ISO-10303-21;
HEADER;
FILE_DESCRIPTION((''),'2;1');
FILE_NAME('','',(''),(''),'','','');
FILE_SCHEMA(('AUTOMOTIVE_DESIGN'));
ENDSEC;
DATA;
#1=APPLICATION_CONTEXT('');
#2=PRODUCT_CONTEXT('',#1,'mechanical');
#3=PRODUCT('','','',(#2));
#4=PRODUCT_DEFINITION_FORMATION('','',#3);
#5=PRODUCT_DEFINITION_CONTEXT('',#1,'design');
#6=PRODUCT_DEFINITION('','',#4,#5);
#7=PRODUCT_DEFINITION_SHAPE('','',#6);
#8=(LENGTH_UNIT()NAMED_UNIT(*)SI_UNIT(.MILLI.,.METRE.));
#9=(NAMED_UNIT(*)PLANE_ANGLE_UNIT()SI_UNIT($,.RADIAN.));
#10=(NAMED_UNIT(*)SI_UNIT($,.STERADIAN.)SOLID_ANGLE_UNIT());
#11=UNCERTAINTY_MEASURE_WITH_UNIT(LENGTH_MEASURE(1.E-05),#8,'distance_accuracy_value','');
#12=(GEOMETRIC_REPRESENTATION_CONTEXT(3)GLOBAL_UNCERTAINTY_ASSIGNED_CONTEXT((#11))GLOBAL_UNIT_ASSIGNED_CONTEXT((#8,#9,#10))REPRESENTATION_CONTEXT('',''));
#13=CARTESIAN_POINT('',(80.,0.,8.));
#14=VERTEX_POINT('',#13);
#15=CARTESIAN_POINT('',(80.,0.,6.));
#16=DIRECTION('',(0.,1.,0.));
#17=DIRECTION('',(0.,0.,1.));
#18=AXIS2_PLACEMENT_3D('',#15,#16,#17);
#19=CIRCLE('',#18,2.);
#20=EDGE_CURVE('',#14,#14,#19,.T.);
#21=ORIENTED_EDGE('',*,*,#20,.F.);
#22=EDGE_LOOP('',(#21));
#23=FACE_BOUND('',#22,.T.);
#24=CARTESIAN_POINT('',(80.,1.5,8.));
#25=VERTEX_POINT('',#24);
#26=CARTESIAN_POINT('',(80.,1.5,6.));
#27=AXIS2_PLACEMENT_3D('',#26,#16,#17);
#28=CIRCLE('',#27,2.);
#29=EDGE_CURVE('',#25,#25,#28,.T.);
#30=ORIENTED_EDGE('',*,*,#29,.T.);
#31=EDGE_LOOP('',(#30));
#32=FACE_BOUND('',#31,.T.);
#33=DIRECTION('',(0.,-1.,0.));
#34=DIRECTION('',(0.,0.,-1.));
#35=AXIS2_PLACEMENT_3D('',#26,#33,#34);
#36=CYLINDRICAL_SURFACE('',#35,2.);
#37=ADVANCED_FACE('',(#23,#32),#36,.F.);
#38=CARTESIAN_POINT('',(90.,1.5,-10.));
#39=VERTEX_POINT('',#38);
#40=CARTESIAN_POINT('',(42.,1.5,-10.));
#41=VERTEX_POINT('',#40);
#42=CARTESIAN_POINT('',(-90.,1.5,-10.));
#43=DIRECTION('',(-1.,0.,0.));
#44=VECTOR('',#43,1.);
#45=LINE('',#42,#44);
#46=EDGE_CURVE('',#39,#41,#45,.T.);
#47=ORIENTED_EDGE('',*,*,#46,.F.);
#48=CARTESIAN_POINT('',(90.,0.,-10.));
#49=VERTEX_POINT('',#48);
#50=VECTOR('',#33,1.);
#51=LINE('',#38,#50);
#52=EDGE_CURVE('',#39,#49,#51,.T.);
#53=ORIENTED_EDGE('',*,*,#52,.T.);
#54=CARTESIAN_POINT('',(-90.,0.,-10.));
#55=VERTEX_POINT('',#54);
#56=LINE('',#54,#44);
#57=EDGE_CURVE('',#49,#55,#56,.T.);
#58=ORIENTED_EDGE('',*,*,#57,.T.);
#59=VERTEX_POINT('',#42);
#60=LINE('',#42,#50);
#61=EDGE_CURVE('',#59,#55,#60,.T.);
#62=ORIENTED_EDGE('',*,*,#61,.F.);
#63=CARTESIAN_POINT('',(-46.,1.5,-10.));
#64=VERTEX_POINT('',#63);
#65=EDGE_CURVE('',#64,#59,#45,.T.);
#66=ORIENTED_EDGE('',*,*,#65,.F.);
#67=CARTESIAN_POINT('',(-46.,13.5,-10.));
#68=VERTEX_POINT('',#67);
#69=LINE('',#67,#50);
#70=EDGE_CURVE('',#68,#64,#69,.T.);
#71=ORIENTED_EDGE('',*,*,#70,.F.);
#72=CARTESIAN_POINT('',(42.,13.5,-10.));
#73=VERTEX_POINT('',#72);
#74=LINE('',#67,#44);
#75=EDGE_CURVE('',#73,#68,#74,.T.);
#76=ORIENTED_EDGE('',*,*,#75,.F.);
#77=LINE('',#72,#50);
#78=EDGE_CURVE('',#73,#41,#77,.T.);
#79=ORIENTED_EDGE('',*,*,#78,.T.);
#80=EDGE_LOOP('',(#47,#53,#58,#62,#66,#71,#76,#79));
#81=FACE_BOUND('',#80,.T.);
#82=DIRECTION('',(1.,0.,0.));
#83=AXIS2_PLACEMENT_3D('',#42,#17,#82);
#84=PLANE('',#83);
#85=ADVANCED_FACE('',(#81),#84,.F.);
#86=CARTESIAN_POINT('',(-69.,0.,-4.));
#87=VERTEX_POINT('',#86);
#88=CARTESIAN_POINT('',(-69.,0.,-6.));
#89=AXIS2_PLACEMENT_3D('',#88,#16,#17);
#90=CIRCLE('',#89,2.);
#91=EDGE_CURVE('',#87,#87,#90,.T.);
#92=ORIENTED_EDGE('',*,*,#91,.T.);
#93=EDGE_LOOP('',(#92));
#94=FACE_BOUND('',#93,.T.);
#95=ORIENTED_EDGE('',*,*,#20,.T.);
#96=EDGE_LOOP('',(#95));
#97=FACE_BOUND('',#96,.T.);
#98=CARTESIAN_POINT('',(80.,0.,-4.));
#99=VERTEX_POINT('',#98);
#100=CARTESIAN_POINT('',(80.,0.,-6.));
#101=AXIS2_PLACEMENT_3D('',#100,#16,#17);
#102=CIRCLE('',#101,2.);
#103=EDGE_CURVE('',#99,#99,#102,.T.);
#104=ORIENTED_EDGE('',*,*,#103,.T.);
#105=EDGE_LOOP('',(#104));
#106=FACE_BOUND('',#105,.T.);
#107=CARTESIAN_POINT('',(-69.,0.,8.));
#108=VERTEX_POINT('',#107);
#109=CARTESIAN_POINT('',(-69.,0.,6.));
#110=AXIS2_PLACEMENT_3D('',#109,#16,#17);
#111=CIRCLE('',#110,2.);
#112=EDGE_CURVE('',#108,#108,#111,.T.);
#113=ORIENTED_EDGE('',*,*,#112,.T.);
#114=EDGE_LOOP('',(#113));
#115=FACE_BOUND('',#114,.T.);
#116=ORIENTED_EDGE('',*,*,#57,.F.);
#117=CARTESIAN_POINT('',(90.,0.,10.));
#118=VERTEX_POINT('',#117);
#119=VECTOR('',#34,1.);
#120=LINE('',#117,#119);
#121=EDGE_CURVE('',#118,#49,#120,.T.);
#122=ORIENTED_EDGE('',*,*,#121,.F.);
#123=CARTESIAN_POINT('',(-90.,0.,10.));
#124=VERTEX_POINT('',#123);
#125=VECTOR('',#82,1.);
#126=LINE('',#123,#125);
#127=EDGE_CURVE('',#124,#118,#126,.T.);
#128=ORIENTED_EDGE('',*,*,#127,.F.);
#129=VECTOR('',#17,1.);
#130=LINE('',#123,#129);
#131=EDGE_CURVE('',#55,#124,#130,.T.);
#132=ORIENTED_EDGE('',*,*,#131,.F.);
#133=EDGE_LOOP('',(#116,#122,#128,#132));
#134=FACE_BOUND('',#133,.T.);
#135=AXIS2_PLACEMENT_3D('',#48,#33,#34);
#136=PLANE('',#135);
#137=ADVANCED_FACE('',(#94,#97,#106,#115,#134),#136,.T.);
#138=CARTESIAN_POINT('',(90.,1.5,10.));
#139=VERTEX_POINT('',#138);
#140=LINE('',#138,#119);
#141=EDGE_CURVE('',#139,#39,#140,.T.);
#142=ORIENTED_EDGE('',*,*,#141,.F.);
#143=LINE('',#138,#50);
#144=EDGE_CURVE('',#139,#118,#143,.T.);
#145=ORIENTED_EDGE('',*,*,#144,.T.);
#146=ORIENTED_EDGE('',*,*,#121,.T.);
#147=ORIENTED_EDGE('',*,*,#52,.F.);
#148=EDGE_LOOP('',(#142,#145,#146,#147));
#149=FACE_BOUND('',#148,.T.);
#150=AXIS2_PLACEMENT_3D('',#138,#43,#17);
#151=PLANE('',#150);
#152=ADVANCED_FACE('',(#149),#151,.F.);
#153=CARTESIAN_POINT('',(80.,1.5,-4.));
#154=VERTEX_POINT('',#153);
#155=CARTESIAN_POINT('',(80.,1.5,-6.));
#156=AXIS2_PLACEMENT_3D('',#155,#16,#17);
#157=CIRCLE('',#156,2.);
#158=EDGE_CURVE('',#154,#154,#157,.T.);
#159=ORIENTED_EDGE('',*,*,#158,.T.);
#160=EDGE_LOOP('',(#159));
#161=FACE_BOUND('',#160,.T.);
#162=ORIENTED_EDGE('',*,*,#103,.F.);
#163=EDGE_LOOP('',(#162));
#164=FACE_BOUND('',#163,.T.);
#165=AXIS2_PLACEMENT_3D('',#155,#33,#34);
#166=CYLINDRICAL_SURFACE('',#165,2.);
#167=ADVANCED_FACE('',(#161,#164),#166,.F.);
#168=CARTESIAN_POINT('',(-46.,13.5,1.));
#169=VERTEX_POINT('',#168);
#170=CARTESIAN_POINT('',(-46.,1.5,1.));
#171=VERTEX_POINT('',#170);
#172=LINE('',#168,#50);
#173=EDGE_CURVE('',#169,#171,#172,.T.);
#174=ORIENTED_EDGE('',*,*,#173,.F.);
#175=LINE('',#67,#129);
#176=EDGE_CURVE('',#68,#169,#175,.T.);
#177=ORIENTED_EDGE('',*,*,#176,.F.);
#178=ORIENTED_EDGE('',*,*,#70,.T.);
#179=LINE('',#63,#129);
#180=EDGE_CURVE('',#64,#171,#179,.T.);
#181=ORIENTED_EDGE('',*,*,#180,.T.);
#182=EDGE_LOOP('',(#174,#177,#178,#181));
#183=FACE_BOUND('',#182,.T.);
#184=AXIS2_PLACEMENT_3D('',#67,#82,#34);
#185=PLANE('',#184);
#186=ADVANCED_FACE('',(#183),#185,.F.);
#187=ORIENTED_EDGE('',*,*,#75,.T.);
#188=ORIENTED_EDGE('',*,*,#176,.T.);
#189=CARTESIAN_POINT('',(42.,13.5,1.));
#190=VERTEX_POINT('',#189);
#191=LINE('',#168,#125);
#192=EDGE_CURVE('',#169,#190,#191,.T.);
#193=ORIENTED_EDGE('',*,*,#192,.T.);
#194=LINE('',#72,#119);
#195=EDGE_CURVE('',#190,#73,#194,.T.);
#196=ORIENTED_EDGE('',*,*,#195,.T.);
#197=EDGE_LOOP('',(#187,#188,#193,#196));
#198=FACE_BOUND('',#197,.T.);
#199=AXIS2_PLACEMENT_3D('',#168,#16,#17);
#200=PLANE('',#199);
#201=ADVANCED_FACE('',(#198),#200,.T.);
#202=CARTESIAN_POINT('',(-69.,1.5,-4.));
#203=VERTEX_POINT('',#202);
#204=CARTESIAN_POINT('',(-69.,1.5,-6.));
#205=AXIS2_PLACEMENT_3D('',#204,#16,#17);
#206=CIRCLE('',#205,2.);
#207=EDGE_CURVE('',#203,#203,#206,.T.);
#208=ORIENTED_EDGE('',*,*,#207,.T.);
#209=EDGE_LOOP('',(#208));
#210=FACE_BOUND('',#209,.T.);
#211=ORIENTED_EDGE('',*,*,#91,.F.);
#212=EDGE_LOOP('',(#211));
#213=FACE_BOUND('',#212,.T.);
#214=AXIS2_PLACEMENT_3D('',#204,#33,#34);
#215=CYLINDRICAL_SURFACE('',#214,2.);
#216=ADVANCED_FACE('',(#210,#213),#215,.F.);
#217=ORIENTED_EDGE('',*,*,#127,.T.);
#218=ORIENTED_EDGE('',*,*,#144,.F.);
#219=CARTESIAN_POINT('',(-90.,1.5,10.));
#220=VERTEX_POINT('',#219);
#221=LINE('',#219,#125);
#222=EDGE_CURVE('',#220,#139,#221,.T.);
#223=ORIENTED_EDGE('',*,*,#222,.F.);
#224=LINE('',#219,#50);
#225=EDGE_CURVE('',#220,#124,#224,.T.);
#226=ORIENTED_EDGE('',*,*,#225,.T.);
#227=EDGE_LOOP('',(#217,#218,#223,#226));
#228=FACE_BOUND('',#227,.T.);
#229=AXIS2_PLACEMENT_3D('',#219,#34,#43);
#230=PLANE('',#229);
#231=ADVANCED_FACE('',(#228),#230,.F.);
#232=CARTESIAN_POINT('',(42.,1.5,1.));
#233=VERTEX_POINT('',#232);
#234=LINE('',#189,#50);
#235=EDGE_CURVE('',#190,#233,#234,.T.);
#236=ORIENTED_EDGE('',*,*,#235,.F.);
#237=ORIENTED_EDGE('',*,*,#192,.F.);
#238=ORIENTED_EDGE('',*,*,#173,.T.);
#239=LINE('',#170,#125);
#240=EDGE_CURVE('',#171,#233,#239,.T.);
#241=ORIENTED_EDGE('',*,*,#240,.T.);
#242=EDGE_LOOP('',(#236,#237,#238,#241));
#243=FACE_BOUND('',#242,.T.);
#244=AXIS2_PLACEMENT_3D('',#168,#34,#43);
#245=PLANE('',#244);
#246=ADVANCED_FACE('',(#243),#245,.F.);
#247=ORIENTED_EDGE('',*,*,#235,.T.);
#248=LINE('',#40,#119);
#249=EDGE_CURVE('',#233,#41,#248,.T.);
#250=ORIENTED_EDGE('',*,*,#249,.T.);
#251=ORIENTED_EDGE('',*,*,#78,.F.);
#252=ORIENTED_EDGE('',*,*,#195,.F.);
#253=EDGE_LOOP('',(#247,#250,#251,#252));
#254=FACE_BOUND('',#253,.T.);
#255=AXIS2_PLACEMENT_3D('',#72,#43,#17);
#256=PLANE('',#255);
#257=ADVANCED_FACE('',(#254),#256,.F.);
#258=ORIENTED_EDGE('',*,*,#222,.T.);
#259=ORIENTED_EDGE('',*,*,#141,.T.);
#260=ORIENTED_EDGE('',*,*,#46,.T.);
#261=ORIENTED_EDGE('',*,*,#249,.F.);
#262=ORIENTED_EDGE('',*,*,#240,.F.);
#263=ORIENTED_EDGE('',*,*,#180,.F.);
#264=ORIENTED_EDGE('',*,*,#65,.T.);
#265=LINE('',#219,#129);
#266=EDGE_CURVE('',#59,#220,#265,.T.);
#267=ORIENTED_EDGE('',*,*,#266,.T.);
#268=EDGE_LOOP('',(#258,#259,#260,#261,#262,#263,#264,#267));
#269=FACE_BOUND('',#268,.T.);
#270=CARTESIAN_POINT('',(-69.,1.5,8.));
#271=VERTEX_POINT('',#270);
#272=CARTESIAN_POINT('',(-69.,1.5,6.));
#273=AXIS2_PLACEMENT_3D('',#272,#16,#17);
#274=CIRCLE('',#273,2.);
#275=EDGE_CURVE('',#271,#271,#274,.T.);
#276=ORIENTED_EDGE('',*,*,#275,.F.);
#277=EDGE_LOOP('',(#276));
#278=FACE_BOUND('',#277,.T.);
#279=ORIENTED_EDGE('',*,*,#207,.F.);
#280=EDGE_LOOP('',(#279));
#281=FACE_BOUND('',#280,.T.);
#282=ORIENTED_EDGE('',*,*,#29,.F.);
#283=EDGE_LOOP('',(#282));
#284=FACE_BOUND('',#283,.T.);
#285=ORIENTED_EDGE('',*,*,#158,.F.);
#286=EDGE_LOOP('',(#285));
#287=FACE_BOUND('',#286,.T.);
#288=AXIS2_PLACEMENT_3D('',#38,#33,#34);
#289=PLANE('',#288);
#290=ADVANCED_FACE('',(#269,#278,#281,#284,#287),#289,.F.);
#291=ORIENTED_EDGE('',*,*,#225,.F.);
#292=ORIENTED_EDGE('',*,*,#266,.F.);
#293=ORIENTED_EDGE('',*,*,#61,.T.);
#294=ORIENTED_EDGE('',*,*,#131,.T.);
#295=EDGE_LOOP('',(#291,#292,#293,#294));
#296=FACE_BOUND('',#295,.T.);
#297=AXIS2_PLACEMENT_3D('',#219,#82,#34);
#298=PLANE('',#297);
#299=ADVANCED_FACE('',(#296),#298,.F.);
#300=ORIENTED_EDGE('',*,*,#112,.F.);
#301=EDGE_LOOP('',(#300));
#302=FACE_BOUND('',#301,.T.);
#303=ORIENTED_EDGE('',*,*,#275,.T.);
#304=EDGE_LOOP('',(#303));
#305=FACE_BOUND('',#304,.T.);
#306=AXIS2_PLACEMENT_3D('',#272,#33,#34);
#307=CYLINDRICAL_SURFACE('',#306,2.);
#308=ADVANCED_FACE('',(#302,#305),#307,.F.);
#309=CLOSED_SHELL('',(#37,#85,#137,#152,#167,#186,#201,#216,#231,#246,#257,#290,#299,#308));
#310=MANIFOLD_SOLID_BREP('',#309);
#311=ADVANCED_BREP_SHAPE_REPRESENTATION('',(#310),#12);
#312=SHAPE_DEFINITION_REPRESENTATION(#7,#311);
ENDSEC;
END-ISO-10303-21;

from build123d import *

# Parameters (mm, degrees)
SKETCH1_W           = 180
SKETCH1_H           = 20
SKETCH1_R           = 2
BOSS_EXTRUDE1_DEPTH = 1.5
SKETCH2_W           = 88
SKETCH2_H           = 11
BOSS_EXTRUDE2_DEPTH = 12


with BuildPart() as part:
    # Sketch1 → Boss-Extrude1 (new body)
    with BuildSketch(Plane(origin=(0, 0, 0), x_dir=(1, 0, 0), z_dir=(0, 1, 0))):
        Rectangle(SKETCH1_W, SKETCH1_H)
        with Locations(Location((-69, 6, 0), (0, 0, 270))):
            Circle(SKETCH1_R, mode=Mode.SUBTRACT)
        with Locations(Location((-69, -6, 0), (0, 0, 270))):
            Circle(SKETCH1_R, mode=Mode.SUBTRACT)
        with Locations(Location((80, 6, 0), (0, 0, 270))):
            Circle(SKETCH1_R, mode=Mode.SUBTRACT)
        with Locations(Location((80, -6, 0), (0, 0, 270))):
            Circle(SKETCH1_R, mode=Mode.SUBTRACT)
    extrude(amount=BOSS_EXTRUDE1_DEPTH)

    # Sketch2 → Boss-Extrude2 (add)
    with BuildSketch(Plane(origin=(0, 1.5, 0), x_dir=(-1, 0, 0), z_dir=(0, 1, 0))):
        with Locations((2, -4.5)):
            Rectangle(SKETCH2_W, SKETCH2_H)
    extrude(amount=BOSS_EXTRUDE2_DEPTH)


solid = part.part
